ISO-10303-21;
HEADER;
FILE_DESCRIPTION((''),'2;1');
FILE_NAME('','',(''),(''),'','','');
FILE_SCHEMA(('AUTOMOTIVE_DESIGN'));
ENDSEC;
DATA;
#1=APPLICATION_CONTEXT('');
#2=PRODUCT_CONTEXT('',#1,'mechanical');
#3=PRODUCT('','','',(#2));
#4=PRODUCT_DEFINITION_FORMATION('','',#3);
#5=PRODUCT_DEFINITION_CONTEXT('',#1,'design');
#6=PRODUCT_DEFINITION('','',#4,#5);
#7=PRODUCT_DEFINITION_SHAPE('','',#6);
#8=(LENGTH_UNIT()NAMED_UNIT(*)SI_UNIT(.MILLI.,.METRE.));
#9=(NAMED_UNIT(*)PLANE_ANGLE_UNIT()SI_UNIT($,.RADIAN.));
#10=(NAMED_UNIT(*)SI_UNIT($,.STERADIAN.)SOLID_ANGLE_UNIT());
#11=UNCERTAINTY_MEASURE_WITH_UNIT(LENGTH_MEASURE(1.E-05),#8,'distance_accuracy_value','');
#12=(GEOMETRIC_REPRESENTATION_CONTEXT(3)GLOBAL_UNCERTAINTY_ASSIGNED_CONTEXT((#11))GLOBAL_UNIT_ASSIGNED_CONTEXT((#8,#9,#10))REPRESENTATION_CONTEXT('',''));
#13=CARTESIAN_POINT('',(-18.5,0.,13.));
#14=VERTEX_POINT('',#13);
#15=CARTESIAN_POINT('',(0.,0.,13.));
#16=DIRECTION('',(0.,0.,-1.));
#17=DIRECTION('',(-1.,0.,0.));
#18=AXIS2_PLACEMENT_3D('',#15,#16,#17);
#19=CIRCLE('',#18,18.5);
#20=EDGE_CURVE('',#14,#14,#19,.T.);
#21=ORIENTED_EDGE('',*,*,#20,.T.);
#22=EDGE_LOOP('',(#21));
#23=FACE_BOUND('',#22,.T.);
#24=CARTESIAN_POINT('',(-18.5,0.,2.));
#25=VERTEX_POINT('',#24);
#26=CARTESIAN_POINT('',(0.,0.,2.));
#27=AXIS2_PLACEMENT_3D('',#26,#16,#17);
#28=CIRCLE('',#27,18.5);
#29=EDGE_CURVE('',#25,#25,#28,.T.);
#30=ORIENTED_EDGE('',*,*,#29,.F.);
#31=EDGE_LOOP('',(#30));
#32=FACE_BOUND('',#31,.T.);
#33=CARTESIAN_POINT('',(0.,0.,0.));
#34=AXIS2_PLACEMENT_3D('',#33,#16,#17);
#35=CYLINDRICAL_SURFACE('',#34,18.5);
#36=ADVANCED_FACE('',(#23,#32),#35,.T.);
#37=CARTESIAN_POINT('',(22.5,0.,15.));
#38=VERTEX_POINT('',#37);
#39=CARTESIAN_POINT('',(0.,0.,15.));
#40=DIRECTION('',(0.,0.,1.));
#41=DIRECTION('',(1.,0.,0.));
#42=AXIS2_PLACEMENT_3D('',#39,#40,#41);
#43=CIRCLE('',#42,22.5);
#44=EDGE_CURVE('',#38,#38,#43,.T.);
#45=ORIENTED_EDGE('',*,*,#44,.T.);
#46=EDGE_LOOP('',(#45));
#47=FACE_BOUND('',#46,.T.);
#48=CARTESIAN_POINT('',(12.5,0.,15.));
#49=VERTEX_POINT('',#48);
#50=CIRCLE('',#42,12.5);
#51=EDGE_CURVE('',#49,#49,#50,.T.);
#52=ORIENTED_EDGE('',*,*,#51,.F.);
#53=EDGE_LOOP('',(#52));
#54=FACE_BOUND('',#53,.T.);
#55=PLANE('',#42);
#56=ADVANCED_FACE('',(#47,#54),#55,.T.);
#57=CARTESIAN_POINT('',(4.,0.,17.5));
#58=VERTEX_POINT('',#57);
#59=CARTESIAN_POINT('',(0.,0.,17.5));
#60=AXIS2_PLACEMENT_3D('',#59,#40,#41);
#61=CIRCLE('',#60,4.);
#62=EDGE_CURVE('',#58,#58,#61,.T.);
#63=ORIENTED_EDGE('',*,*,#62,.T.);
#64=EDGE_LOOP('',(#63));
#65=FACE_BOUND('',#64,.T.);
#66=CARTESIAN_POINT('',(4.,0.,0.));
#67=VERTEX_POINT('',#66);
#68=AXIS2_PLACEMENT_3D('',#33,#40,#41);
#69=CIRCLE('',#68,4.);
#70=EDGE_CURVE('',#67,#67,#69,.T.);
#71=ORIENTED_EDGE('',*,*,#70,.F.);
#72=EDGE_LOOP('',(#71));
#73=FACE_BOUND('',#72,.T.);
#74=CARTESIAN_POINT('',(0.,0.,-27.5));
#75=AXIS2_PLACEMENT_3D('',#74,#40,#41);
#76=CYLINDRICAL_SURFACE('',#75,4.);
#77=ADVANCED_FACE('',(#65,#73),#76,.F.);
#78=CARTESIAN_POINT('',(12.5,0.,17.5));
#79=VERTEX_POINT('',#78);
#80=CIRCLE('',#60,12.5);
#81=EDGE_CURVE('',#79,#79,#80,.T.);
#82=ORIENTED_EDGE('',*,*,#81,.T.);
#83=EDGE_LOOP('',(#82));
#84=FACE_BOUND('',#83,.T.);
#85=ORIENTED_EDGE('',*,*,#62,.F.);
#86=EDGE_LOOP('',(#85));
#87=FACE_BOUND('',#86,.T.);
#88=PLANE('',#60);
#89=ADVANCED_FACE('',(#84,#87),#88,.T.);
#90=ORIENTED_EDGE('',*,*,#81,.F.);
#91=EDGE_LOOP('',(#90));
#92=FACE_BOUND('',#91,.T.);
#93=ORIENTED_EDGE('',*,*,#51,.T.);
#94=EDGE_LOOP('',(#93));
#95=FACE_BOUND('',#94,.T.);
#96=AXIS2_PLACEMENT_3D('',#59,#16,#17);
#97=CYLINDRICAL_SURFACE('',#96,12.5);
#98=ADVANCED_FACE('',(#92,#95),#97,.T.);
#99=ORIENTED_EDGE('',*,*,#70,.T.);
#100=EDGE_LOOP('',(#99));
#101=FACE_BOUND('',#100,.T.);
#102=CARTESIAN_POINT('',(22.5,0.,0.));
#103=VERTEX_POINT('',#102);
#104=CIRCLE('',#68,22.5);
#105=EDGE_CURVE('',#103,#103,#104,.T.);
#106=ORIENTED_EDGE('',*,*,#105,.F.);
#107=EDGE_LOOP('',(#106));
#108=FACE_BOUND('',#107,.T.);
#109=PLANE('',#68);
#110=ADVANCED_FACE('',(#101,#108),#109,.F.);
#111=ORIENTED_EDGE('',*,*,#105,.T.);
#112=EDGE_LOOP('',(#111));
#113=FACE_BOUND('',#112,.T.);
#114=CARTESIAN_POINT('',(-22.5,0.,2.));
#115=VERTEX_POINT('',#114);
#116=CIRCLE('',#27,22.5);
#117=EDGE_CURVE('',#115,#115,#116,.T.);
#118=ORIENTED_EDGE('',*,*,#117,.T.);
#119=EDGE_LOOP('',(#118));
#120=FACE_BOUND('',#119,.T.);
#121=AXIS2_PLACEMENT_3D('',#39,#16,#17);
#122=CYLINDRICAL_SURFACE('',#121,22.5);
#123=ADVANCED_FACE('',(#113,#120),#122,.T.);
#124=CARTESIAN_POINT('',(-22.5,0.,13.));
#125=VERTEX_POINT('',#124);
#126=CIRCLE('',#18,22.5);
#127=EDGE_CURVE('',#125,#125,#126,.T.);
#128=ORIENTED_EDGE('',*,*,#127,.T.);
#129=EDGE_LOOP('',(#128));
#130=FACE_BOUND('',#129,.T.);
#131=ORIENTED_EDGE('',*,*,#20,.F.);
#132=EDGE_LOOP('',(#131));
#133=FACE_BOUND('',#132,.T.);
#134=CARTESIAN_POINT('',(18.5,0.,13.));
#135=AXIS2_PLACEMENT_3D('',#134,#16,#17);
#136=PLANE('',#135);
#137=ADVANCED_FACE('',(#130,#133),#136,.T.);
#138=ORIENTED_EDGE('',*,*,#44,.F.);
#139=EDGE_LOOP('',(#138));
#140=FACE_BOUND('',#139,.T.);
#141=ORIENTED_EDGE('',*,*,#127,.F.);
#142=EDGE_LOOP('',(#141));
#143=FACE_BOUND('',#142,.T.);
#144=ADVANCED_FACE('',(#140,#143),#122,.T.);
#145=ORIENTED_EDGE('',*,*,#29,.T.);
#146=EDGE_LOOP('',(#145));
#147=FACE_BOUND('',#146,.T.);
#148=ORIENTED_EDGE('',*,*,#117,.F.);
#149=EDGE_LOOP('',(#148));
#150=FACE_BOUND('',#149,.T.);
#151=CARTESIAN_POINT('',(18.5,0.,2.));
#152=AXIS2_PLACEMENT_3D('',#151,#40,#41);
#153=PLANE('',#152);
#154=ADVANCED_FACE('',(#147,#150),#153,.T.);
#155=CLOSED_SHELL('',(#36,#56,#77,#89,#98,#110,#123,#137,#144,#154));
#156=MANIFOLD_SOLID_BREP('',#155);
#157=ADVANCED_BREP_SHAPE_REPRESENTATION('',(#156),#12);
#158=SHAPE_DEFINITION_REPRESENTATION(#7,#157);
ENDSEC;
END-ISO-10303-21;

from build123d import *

# Parameters (mm, degrees)
SKETCH_1_R          = 22.5
EXTRUDE_1_DEPTH     = 15
SKETCH_2_R          = 12.5
EXTRUDE_2_DEPTH     = 2.5
SKETCH_3_R          = 4
CUT_EXTRUDE_1_DEPTH = 45
SKETCH_5_W          = 4
SKETCH_5_H          = 11


with BuildPart() as part:
    # 草图1 → 凸台-拉伸1 (new body)
    with BuildSketch(Plane.XY):
        Circle(SKETCH_1_R)
    extrude(amount=EXTRUDE_1_DEPTH)

    # 草图2 → 凸台-拉伸2 (add)
    with BuildSketch(Plane.XY.offset(15)):
        Circle(SKETCH_2_R)
    extrude(amount=EXTRUDE_2_DEPTH)

    # 草图3 → 切除-拉伸1 (cut)
    with BuildSketch(Plane.XY.offset(17.5)):
        Circle(SKETCH_3_R)
    extrude(amount=-CUT_EXTRUDE_1_DEPTH, mode=Mode.SUBTRACT)

    # 草图5 → 切除-旋转1 (revolve, cut)
    with BuildSketch(Plane(origin=(0, 0, 0), x_dir=(1, 0, 0), z_dir=(0, 1, 0)), mode=Mode.PRIVATE) as cut_revolve_1_sk:
        with Locations((20.5, -7.5)):
            Rectangle(SKETCH_5_W, SKETCH_5_H)
    revolve(cut_revolve_1_sk.sketch.rotate(Axis((0, 0, 0), (0, 0, 1)), 180), axis=Axis((0, 0, 0), (0, 0, 1)), mode=Mode.SUBTRACT)


solid = part.part
